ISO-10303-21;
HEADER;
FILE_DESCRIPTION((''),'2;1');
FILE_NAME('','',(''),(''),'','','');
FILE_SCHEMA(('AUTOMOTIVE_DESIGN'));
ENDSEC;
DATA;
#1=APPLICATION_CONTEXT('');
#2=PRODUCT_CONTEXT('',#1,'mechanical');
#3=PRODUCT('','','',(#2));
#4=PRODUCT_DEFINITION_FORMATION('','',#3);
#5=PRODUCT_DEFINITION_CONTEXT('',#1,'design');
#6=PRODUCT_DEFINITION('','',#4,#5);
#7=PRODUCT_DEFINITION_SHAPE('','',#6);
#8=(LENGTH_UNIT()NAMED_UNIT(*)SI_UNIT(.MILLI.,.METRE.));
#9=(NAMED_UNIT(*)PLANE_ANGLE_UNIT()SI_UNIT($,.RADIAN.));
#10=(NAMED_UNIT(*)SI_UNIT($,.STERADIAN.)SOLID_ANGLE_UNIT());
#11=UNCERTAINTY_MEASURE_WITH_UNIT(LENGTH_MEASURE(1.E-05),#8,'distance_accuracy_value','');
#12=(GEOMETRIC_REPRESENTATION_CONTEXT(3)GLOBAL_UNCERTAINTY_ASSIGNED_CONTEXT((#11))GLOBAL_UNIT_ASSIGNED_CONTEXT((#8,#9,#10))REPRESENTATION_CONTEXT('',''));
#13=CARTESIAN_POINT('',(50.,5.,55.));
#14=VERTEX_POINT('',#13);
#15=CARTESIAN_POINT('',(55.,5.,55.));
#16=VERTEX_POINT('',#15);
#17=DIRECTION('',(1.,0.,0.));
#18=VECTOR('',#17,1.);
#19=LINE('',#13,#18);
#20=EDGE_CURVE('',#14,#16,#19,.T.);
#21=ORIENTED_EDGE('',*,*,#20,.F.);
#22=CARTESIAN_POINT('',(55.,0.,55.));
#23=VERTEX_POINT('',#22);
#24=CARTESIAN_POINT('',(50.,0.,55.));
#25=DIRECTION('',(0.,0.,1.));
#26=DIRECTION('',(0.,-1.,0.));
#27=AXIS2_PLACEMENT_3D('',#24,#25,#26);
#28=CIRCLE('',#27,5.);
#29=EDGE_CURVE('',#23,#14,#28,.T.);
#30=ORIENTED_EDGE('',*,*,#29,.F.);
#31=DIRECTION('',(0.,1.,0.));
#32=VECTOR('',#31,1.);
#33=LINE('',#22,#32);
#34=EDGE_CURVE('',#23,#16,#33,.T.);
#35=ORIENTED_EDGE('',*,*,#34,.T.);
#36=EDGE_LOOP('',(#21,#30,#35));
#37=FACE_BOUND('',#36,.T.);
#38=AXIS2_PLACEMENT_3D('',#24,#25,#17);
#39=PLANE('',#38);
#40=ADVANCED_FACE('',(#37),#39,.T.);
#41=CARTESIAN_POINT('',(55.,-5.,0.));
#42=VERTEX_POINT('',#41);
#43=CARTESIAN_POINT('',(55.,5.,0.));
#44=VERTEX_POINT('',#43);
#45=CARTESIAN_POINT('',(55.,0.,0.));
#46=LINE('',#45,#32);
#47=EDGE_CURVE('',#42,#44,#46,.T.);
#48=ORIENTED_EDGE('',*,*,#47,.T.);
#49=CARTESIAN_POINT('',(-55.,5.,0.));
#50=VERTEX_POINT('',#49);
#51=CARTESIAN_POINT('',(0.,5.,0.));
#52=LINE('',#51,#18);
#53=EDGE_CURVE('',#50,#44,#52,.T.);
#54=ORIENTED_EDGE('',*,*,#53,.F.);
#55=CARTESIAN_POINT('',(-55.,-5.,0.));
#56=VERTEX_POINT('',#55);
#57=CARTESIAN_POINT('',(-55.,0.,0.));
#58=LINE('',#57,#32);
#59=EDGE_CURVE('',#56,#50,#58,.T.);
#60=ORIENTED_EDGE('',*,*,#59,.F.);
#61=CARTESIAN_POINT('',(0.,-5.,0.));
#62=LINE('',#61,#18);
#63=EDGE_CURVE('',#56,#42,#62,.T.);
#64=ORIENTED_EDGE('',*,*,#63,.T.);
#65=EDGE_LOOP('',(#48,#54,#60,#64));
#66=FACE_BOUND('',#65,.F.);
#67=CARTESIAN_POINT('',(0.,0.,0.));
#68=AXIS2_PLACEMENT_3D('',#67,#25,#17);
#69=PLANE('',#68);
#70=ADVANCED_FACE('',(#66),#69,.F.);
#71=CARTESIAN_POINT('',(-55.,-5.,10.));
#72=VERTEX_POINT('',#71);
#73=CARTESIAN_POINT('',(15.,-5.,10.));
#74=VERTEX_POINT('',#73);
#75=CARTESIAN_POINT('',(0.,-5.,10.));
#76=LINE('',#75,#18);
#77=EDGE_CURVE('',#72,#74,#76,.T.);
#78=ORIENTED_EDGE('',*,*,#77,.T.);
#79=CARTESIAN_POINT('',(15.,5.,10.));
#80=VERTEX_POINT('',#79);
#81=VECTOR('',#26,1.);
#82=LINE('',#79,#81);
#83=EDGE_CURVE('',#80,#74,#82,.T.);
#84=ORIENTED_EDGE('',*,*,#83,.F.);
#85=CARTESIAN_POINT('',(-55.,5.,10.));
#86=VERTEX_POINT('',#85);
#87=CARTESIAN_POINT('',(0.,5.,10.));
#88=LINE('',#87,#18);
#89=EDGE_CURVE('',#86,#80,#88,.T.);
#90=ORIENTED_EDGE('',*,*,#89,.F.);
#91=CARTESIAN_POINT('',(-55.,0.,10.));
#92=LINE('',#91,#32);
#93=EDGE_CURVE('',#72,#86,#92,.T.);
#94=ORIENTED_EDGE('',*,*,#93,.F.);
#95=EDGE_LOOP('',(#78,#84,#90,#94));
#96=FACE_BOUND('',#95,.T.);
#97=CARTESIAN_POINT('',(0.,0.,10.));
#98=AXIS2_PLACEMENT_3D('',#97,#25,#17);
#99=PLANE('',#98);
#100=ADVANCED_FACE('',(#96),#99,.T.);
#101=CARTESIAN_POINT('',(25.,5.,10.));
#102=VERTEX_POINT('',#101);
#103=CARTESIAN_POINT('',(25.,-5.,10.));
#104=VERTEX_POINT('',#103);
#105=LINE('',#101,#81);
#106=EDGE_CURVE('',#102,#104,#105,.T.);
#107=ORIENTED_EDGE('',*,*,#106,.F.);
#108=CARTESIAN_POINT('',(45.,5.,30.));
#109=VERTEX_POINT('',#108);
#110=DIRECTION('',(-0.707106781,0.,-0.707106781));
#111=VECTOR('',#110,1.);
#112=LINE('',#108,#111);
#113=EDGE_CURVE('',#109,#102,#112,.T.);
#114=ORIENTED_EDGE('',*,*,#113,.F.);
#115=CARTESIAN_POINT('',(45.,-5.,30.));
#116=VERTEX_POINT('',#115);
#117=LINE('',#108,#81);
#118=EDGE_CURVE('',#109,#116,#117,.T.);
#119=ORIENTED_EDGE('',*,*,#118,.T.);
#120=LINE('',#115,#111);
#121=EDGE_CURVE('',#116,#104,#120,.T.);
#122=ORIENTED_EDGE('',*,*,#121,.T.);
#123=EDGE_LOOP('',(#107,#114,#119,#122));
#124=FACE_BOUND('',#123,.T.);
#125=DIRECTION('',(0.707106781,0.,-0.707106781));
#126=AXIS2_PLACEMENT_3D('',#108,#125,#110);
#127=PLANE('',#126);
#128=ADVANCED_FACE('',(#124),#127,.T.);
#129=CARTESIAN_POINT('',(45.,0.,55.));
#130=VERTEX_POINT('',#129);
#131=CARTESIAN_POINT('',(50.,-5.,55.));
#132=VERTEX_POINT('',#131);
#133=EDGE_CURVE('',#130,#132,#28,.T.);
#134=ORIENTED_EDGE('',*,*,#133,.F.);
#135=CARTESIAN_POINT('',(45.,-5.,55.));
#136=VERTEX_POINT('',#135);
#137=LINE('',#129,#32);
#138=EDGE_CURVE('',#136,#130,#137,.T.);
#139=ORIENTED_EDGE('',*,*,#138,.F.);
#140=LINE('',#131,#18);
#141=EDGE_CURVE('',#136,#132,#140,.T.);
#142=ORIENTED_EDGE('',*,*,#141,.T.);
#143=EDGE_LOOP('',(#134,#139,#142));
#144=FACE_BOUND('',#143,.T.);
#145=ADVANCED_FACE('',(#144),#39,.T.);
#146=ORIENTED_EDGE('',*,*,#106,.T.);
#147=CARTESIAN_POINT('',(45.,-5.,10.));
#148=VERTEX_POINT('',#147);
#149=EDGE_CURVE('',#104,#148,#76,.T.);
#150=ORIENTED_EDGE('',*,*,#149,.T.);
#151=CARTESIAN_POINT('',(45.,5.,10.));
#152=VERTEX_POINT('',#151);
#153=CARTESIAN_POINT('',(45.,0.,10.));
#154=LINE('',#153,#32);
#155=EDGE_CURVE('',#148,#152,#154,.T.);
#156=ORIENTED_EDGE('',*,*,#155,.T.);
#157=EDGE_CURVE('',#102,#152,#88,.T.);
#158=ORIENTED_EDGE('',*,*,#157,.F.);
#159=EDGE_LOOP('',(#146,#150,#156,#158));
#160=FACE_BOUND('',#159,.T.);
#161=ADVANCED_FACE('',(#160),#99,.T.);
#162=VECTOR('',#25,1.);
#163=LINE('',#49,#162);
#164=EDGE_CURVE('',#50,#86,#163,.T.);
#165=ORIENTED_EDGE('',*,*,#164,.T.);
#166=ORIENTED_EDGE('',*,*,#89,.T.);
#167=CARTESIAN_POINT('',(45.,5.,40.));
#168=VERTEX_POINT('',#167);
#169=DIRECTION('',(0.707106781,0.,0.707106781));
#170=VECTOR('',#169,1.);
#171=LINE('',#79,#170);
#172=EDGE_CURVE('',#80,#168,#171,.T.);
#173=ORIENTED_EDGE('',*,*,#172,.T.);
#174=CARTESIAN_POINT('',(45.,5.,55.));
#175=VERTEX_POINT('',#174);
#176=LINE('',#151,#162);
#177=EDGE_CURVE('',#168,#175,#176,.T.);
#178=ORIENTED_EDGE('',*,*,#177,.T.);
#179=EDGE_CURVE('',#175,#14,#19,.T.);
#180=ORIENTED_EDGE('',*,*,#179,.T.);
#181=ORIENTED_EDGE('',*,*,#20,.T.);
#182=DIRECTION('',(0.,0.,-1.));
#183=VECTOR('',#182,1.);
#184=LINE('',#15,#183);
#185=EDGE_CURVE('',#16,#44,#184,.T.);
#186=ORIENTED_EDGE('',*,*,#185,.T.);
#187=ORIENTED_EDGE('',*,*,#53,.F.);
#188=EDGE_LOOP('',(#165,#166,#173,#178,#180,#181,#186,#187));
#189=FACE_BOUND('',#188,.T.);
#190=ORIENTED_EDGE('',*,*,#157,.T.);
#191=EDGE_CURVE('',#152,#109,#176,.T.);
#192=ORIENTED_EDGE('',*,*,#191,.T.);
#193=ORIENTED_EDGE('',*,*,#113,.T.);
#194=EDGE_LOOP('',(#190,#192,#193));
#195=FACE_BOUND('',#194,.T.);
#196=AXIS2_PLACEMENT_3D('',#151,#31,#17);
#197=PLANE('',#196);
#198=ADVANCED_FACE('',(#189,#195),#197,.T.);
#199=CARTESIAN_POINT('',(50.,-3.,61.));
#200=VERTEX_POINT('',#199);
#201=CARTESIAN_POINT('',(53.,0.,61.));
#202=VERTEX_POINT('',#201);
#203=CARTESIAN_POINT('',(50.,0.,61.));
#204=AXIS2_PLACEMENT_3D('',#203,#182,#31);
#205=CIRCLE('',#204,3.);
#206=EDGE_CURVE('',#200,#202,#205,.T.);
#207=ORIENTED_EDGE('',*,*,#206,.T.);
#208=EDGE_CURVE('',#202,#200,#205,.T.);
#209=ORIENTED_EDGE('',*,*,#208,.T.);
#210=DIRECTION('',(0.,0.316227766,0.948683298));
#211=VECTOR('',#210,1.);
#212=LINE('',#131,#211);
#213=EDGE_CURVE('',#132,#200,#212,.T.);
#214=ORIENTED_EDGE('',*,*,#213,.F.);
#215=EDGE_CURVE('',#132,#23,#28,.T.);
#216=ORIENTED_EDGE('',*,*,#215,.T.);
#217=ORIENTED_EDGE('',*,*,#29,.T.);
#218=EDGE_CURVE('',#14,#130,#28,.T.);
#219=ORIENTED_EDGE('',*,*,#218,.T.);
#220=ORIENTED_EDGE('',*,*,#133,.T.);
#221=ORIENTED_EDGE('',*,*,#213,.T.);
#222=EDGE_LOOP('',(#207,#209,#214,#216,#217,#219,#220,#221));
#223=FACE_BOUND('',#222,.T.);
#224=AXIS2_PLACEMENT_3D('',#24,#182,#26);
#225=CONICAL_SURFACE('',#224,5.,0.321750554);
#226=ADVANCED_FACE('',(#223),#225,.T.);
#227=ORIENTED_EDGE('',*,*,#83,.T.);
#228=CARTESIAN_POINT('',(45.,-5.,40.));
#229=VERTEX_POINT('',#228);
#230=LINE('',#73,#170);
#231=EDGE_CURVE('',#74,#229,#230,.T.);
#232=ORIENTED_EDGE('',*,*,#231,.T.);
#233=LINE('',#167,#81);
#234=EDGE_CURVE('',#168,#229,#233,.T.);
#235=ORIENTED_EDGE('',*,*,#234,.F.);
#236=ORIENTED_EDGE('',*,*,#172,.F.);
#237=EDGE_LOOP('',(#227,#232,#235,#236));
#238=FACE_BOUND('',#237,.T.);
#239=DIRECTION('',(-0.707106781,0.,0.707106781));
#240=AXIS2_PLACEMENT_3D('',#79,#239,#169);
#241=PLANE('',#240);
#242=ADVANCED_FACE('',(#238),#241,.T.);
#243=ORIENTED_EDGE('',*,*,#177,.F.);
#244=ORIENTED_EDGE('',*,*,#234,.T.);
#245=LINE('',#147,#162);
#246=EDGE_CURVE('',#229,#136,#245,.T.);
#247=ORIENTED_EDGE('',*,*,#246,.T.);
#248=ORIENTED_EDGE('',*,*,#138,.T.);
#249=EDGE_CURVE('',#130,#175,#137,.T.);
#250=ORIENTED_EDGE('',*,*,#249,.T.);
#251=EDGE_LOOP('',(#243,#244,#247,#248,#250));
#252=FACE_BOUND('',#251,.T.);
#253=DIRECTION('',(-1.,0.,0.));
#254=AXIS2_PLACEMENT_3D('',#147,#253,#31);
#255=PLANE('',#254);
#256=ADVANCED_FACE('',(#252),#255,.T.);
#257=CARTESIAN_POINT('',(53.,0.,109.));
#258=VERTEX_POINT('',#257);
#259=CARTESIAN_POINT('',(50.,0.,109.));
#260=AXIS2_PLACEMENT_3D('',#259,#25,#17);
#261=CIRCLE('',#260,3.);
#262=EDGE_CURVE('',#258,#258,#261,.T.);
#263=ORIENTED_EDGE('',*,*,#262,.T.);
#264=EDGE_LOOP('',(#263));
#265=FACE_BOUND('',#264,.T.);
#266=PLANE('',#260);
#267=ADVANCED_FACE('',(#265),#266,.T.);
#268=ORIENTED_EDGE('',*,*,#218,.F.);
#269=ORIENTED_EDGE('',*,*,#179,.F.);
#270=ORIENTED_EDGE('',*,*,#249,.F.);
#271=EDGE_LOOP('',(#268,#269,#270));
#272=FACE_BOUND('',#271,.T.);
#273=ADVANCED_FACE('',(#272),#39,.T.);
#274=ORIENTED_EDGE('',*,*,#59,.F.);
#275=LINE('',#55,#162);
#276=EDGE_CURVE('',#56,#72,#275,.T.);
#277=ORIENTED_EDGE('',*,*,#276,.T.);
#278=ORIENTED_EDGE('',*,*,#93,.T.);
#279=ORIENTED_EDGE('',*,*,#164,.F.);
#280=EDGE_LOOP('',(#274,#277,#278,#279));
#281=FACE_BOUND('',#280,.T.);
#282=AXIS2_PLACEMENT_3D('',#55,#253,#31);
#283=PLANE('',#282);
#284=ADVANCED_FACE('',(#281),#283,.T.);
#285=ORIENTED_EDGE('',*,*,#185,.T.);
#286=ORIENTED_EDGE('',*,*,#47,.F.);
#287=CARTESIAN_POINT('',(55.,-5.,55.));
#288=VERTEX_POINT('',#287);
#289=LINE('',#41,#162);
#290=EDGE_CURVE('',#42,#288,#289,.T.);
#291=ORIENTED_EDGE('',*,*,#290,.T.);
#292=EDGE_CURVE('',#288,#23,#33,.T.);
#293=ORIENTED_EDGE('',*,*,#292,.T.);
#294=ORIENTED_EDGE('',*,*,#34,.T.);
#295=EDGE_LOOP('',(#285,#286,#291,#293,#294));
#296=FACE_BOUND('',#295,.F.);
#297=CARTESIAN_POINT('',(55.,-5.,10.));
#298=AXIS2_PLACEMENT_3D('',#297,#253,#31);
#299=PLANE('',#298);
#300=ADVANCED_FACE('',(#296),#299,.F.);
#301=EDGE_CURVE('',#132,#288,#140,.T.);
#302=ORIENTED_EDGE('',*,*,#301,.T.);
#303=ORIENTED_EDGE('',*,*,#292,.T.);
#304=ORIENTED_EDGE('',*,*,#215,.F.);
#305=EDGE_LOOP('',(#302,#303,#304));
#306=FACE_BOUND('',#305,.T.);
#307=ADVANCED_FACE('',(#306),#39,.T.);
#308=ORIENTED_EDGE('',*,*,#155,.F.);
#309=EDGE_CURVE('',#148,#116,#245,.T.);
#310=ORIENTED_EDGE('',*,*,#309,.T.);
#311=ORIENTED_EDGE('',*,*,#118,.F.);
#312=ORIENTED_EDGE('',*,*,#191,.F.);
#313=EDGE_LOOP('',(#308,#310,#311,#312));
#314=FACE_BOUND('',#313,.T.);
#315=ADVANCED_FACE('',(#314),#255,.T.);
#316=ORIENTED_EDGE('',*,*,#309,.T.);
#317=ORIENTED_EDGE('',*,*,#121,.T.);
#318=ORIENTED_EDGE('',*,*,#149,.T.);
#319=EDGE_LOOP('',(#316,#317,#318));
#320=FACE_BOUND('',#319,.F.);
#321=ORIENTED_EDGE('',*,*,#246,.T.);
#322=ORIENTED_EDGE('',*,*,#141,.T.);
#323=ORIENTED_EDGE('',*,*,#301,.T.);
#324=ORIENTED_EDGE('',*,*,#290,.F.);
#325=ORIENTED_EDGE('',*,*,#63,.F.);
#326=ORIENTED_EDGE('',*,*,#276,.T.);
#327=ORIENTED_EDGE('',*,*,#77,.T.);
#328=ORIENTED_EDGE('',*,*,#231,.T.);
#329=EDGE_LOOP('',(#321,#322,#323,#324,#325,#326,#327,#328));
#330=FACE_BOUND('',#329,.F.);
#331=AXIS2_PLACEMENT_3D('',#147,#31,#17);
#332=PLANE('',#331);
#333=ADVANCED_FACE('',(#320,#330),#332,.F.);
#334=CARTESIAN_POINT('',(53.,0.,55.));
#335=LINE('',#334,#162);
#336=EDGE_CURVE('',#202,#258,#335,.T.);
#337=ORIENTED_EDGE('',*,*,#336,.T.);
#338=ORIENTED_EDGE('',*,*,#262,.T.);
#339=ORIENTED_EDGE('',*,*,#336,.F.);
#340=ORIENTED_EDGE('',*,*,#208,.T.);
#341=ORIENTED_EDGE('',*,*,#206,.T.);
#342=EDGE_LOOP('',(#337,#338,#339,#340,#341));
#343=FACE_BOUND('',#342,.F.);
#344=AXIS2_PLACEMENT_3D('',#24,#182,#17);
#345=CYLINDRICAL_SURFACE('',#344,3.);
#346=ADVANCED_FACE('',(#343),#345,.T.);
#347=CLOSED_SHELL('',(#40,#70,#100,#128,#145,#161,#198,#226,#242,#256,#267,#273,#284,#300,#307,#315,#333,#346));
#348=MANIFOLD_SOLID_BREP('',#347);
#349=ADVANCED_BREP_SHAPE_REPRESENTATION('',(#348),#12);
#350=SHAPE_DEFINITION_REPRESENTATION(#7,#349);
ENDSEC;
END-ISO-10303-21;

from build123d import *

# Parameters (mm, degrees)
F0_W      = 110
F0_H      = 10
F1_DEPTH  = 10
F2_W      = 10
F2_H      = 10
F3_DEPTH  = 45
F4_R      = 3
F5_DEPTH  = 54
F12_DEPTH = 10


with BuildPart() as f1:
    # F0 (on Top) → F1 (new body)
    with BuildSketch(Plane.XY):
        Rectangle(F0_W, F0_H)
    extrude(amount=F1_DEPTH)

    # F2 (on face) → F3 (join)
    with BuildSketch(Plane.XY.offset(10)):
        with Locations((50, 0)):
            Rectangle(F2_W, F2_H)
    extrude(amount=F3_DEPTH)

    # F4 (on face) → F5 (join)
    with BuildSketch(Plane.XY.offset(55)):
        with Locations((50, 0)):
            Circle(F4_R)
    extrude(amount=F5_DEPTH)

    # F7 (on mid) → F9 (revolve)
    with BuildSketch(Plane(origin=(50, 0, 0), x_dir=(0, -1, 0), z_dir=(-1, 0, 0))):
        Polygon((0, 70), (0, 55), (5, 55), align=None)
    revolve(axis=Axis((50, 0, 50.9786196053), (0, 0, 1)))

    # F11 (on offset) → F12 (join, through all)
    with BuildSketch(Plane(origin=(0, 5, 0), x_dir=(-1, 0, 0), z_dir=(0, 1, 0))):
        Polygon((-25, 10), (-15, 10), (-45, 40), (-45, 30), align=None)
    extrude(amount=-F12_DEPTH)


solid = f1.part
